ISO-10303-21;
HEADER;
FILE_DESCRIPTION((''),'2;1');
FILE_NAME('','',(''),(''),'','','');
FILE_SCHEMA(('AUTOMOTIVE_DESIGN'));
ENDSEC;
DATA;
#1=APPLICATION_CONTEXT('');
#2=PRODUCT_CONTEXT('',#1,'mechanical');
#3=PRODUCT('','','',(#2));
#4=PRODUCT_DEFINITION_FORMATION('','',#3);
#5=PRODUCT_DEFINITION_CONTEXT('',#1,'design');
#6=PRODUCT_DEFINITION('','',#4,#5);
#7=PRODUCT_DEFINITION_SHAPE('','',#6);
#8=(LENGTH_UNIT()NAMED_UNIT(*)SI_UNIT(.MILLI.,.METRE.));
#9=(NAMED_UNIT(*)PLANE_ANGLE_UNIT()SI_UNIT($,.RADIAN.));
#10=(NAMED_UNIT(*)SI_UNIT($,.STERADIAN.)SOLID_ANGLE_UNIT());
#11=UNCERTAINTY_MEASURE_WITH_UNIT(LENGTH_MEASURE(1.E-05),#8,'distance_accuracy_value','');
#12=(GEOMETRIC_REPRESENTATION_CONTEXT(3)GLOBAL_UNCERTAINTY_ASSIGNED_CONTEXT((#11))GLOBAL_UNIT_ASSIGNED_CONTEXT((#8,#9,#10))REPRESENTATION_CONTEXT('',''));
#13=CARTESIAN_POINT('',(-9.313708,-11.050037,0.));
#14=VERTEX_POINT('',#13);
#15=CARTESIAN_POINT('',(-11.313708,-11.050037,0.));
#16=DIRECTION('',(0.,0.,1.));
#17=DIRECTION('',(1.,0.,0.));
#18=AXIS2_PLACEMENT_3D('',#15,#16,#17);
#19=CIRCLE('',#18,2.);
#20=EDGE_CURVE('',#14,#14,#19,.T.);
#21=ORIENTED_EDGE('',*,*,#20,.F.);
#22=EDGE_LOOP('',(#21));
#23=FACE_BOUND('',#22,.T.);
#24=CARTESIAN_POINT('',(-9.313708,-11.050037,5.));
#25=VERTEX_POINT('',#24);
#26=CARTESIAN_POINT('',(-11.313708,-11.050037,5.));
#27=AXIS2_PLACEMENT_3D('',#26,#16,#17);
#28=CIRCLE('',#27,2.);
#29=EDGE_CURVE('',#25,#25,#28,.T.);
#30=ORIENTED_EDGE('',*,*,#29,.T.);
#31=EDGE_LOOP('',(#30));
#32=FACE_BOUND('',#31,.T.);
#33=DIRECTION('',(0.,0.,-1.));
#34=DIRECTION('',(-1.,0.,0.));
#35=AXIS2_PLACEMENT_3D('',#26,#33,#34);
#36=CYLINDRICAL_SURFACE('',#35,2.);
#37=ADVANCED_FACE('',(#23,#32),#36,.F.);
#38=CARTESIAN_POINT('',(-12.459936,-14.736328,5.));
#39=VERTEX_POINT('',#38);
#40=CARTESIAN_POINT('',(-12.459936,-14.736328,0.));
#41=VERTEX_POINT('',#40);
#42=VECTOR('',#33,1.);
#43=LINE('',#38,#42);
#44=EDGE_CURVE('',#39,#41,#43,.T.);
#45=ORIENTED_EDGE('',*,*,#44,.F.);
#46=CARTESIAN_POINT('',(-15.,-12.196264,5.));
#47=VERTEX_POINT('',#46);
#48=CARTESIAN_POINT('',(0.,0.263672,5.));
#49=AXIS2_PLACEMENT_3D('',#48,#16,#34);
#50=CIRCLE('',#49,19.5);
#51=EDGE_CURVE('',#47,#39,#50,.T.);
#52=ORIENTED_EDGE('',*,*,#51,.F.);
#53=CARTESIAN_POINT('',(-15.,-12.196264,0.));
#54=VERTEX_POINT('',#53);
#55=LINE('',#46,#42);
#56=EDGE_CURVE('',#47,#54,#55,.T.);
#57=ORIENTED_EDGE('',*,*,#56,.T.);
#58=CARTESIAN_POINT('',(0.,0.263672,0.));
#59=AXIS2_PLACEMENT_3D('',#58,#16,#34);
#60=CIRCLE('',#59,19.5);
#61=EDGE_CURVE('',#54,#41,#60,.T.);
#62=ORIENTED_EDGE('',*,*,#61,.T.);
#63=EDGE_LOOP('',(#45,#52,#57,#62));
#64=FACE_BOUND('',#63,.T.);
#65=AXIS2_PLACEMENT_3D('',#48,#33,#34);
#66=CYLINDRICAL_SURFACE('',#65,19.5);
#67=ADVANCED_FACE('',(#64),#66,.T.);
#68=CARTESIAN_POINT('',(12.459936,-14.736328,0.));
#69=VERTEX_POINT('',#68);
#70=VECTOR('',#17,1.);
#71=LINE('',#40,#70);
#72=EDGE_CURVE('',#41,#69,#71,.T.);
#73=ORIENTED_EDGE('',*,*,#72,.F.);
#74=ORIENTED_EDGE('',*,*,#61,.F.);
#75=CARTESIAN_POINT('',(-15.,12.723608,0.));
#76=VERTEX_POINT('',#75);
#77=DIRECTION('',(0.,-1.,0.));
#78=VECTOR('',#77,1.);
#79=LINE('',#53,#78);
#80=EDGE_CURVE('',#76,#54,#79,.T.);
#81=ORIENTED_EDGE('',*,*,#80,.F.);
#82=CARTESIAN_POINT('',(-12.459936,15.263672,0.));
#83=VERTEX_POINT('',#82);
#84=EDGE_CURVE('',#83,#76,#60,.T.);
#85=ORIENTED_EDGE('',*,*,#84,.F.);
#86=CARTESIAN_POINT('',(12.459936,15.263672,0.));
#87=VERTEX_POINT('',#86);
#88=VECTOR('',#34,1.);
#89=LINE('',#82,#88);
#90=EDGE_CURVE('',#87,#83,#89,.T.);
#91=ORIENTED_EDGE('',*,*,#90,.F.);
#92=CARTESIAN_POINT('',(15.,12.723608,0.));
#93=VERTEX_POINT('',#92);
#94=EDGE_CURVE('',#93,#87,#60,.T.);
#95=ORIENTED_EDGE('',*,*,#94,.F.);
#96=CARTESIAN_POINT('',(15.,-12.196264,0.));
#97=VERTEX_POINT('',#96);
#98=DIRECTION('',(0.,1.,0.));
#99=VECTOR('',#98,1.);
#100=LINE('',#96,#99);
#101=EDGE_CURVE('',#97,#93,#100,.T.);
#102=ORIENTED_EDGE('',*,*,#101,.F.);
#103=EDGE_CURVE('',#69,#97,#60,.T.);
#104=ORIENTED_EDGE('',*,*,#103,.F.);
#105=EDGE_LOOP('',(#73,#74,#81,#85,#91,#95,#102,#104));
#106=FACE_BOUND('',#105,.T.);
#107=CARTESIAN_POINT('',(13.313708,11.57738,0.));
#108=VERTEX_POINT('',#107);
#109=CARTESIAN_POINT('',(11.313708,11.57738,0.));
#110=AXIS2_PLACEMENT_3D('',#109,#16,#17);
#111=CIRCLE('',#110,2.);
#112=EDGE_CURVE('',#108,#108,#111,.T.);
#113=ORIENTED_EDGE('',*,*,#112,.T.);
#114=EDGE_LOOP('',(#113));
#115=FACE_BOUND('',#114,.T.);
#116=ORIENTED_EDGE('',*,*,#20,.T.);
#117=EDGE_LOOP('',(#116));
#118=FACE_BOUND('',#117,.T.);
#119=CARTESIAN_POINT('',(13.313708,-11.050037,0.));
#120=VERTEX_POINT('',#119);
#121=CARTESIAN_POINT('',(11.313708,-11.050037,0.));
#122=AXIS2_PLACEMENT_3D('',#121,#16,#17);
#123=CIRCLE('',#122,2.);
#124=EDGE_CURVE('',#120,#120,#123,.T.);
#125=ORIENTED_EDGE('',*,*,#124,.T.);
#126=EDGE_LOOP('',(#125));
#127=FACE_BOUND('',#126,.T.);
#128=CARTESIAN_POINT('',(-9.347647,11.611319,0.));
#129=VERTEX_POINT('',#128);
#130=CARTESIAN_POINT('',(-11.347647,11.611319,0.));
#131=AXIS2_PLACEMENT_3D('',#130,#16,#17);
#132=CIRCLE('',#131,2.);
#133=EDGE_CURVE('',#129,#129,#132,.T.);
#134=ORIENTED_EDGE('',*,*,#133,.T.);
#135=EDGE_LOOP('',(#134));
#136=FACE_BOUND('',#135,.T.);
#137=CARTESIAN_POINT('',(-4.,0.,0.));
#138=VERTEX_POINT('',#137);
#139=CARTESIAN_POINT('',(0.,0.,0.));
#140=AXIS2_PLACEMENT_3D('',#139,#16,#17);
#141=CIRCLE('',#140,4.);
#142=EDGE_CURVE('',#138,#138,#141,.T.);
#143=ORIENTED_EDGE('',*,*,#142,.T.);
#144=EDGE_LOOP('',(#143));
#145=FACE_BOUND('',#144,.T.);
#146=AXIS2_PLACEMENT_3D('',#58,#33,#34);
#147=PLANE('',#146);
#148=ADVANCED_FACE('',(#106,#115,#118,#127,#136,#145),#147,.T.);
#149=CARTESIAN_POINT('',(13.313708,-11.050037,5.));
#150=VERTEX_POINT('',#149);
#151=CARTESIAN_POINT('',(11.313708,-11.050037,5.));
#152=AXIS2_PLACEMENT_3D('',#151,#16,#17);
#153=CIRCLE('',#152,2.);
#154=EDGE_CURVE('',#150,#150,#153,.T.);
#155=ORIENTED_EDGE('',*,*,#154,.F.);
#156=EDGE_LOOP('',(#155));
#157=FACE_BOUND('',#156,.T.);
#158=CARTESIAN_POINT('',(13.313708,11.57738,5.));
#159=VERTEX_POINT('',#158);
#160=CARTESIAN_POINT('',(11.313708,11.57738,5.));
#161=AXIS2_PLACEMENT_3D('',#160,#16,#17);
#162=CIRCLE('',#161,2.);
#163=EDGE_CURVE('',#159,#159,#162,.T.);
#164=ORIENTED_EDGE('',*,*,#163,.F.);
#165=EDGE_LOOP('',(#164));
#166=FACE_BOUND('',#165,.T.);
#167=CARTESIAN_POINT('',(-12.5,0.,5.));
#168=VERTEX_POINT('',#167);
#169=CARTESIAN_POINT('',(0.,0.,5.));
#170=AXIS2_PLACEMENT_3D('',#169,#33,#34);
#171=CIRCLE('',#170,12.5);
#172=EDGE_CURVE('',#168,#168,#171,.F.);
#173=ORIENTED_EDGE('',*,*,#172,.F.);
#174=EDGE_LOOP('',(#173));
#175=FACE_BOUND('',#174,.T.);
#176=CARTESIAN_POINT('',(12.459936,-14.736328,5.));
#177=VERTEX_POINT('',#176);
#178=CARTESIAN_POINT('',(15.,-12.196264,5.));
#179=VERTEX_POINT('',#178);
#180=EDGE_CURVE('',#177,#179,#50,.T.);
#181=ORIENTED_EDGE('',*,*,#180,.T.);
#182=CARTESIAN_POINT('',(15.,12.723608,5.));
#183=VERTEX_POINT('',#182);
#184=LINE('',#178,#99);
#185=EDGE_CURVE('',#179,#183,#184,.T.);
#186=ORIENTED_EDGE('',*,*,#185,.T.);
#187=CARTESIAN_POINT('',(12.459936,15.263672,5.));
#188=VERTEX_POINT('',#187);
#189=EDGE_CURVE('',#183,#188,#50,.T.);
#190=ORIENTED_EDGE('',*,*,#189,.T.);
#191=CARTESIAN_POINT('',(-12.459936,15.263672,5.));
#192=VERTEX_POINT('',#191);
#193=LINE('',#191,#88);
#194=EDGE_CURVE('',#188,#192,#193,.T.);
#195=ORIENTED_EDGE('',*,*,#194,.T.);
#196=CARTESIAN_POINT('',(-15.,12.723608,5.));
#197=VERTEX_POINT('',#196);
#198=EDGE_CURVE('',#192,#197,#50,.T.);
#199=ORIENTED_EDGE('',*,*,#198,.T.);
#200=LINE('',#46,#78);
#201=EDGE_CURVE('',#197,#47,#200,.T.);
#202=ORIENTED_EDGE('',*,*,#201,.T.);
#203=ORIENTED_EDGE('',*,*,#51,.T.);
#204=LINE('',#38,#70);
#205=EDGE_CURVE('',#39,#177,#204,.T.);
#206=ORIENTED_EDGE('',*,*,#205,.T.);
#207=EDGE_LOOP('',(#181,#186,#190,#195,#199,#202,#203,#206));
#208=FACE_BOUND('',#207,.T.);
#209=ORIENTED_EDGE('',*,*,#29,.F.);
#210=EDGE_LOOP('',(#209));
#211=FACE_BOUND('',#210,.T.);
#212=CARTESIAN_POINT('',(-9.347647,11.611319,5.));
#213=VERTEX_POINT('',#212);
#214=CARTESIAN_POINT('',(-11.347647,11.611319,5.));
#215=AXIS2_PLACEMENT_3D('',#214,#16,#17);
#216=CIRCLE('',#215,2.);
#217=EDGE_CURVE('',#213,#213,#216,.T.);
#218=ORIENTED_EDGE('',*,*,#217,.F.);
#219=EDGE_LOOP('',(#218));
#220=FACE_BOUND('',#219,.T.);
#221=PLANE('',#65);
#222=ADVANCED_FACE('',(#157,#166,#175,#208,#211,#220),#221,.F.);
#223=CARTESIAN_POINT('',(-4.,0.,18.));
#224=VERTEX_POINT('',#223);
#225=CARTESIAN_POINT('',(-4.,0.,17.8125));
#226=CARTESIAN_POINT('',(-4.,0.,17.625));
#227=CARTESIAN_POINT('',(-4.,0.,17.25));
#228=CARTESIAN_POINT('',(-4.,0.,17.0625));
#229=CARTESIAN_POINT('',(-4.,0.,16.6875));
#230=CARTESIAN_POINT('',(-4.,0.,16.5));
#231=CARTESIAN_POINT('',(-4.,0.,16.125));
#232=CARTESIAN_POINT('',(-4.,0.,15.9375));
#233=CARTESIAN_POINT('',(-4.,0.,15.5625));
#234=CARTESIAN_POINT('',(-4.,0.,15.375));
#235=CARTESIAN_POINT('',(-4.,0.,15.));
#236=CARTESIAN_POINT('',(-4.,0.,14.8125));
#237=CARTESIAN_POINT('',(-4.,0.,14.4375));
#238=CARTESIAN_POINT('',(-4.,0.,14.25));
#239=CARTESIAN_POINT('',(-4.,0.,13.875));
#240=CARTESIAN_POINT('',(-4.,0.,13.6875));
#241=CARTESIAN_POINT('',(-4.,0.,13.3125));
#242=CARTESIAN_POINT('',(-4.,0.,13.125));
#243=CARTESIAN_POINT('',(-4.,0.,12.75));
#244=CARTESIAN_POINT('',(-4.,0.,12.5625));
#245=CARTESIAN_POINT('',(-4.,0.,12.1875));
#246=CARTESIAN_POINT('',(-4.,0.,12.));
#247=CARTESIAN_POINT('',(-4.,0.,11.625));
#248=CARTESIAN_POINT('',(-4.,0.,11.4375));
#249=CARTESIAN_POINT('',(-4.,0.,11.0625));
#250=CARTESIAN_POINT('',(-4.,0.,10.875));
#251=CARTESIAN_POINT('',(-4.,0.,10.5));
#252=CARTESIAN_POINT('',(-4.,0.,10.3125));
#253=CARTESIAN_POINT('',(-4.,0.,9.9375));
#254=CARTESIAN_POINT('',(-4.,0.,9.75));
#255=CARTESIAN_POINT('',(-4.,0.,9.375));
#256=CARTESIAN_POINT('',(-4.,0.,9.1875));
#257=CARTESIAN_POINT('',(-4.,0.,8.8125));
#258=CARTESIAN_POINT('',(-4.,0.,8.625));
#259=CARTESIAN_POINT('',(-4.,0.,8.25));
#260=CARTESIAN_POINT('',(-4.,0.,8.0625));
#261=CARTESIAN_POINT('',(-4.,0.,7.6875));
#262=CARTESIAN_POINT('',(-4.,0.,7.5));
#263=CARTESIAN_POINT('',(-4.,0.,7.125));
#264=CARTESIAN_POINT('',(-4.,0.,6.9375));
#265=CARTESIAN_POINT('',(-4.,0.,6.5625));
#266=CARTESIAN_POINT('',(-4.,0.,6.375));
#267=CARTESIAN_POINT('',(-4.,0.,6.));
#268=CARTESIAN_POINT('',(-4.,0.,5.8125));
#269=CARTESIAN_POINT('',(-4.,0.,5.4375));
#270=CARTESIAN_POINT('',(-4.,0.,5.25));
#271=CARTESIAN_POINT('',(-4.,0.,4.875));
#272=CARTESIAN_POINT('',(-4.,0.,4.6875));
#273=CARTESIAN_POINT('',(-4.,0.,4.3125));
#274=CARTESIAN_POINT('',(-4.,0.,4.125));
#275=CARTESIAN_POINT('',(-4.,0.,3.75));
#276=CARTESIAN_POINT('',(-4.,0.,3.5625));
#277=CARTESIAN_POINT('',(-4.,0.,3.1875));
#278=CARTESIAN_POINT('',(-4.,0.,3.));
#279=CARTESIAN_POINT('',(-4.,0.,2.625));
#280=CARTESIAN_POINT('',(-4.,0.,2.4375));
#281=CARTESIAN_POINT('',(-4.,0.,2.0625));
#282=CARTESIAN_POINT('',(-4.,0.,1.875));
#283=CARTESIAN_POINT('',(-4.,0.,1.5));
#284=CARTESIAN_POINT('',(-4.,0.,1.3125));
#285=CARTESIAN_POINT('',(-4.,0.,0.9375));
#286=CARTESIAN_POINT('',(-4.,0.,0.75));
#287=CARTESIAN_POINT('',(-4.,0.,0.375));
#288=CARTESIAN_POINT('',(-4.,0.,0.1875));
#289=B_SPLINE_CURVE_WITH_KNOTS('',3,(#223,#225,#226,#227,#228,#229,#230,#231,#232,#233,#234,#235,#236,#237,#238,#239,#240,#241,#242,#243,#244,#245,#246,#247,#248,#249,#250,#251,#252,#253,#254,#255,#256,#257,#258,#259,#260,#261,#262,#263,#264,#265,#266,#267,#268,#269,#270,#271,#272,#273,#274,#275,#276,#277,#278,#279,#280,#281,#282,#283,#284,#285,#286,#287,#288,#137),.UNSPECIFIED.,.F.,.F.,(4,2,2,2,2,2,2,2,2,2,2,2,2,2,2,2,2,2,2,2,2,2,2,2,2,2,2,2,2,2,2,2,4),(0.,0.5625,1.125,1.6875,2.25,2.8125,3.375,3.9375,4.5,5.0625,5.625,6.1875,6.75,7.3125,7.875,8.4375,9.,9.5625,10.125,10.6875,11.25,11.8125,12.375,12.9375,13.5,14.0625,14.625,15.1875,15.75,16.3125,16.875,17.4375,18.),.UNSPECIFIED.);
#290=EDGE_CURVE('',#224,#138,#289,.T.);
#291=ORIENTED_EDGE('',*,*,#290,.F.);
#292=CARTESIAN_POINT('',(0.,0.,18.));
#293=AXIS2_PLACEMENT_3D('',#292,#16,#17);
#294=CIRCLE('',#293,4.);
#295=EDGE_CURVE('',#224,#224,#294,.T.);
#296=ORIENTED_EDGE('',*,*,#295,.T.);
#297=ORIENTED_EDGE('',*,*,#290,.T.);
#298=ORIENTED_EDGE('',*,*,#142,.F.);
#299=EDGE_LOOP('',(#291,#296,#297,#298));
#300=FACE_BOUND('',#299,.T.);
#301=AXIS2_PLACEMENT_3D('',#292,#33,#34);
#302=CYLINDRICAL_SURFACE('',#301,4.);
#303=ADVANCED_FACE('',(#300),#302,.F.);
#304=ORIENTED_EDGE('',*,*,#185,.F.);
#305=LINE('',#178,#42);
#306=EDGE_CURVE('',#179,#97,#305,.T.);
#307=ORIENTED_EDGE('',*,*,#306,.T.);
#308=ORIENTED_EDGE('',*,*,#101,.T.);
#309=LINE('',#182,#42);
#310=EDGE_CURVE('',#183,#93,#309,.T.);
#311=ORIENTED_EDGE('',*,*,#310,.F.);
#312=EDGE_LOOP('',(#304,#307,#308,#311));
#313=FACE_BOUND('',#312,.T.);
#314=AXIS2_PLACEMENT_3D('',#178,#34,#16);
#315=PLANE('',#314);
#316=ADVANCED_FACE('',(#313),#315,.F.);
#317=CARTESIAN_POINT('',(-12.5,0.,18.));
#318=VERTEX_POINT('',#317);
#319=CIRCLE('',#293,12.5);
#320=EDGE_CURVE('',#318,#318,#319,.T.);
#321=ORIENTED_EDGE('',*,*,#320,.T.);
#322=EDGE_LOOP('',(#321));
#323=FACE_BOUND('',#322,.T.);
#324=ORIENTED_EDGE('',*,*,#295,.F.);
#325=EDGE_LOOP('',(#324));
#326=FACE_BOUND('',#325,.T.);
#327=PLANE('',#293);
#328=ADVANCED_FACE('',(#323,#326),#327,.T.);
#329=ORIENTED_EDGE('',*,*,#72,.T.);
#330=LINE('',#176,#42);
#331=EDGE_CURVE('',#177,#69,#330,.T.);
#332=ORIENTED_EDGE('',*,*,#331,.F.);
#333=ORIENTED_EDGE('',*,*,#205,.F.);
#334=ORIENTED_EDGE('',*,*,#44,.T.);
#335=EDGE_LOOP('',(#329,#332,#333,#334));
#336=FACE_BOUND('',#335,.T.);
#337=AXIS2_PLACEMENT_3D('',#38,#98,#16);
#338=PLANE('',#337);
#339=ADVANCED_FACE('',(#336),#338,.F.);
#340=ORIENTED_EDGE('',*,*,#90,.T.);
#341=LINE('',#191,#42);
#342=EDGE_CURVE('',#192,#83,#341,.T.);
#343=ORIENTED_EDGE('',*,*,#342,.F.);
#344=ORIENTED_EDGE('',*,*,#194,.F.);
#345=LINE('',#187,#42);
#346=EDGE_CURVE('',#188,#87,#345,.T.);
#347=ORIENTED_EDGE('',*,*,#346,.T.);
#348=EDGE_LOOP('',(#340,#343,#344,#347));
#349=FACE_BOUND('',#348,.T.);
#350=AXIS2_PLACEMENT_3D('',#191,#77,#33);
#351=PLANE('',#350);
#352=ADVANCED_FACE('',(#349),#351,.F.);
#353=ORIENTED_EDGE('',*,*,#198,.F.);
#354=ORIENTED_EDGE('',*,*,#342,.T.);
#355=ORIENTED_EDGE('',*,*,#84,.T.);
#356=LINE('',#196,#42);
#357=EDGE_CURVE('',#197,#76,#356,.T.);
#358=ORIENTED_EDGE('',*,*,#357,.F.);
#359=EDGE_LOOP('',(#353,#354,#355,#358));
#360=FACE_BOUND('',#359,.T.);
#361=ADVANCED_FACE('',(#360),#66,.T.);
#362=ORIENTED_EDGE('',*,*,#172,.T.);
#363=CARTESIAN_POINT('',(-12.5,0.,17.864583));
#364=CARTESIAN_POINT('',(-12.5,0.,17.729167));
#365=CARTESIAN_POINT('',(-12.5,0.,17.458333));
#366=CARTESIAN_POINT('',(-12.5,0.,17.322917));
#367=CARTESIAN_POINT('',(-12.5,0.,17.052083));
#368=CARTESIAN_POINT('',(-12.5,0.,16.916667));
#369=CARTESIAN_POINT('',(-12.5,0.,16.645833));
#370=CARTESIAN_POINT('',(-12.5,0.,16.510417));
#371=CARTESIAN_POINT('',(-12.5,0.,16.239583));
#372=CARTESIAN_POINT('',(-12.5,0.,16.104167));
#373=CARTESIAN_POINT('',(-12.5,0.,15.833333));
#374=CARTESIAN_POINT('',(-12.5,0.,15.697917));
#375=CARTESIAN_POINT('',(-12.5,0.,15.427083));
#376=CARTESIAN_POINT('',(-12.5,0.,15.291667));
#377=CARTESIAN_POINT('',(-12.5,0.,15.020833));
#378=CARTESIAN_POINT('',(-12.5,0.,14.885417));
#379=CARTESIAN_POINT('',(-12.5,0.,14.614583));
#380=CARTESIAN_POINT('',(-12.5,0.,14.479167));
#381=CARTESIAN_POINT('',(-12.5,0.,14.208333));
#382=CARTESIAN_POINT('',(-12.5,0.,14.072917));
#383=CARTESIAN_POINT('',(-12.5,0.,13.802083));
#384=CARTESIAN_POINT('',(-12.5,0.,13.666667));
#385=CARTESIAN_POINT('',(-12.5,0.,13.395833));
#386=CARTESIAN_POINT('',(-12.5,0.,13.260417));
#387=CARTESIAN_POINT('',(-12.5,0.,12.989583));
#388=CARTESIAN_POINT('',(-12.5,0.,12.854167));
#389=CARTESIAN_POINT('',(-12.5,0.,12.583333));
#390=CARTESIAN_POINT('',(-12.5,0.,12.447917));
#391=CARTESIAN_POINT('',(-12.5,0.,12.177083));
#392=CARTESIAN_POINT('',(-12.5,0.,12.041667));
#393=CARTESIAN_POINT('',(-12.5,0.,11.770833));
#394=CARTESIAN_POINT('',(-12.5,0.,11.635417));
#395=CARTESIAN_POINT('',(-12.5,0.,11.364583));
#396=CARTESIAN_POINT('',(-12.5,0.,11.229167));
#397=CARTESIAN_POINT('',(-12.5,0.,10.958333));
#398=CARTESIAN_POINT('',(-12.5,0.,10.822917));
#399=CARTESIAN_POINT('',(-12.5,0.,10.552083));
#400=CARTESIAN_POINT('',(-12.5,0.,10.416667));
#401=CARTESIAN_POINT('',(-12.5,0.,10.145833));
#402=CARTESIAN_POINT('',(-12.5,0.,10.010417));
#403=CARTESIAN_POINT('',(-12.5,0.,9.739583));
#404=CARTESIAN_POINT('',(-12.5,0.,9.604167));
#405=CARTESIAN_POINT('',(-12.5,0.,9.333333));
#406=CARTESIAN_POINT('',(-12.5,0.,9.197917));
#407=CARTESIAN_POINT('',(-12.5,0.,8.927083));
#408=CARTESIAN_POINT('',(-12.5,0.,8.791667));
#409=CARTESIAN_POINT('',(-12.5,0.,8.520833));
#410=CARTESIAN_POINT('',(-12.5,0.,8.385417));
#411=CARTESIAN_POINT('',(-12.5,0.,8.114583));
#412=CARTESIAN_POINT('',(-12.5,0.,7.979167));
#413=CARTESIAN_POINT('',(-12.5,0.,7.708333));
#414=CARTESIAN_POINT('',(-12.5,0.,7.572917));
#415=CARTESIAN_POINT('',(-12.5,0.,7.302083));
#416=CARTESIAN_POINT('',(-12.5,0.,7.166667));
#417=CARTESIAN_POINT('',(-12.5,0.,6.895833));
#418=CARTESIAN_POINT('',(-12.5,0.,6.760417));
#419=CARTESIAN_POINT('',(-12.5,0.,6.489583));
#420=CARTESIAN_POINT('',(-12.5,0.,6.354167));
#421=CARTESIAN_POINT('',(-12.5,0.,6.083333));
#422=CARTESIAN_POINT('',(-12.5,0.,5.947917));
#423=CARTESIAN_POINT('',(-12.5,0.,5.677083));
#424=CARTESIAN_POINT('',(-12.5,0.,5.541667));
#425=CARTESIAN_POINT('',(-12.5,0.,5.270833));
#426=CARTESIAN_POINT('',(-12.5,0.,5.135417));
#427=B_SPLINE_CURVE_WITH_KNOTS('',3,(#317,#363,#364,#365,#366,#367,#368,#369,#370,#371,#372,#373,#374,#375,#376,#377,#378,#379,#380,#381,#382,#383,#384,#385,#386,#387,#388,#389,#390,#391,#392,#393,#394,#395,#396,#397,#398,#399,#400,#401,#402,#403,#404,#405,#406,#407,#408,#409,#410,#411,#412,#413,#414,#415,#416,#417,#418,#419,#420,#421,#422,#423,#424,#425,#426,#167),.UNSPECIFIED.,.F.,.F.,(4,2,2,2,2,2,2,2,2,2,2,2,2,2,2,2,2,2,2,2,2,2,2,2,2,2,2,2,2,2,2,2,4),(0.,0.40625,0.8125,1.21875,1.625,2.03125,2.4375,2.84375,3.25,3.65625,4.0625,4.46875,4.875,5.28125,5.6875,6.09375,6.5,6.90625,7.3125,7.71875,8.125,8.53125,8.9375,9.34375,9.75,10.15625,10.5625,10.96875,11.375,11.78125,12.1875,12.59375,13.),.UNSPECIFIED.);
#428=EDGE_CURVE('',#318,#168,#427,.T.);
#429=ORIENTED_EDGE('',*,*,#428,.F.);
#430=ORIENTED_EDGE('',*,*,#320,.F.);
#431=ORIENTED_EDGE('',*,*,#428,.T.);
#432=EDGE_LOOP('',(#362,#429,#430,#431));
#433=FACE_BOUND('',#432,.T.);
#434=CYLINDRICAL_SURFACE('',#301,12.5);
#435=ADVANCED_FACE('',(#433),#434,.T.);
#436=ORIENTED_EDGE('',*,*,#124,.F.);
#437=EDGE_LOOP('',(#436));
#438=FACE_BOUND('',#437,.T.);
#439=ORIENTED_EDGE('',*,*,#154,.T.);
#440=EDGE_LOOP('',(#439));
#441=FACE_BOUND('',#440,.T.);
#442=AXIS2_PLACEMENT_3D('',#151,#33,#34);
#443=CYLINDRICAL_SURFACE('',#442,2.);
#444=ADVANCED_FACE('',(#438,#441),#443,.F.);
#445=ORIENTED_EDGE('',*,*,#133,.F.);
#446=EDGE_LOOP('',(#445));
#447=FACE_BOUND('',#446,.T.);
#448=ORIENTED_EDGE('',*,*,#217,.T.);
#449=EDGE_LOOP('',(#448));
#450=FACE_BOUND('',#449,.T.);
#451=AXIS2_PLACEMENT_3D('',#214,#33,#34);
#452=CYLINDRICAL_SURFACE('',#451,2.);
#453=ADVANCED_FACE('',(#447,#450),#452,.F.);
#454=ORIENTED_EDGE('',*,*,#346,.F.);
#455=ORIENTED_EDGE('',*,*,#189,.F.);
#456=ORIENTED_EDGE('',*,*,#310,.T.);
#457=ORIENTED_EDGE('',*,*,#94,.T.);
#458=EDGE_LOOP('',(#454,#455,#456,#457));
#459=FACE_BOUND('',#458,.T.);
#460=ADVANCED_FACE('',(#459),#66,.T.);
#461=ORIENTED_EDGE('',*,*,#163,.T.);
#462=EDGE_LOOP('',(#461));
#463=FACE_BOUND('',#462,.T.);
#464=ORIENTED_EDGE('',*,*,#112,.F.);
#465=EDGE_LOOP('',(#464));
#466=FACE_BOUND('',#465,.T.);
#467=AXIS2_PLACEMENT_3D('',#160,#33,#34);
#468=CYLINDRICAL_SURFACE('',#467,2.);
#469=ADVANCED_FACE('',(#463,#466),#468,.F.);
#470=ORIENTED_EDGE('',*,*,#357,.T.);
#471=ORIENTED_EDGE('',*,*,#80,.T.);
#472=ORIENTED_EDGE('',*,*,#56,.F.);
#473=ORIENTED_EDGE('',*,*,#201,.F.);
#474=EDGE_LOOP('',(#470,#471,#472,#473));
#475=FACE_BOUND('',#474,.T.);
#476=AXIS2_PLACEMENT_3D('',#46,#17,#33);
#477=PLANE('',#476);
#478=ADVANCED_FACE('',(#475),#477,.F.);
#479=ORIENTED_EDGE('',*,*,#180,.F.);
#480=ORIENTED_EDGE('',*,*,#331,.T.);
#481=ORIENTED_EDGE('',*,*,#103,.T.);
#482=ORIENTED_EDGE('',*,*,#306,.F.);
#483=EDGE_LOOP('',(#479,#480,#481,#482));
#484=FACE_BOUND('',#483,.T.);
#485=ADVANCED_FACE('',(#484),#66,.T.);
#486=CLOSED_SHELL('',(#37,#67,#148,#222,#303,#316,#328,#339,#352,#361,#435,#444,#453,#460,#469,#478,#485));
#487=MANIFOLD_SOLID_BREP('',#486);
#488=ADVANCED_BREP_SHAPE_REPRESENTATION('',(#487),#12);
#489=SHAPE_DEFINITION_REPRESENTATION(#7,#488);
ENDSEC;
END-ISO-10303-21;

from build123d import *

# Parameters (mm, degrees)
SKETCH_1_R          = 2
EXTRUDE_1_DEPTH     = 5
SKETCH_3_R          = 12.5
SKETCH_3_R_2        = 4
EXTRUDE_2_DEPTH     = 13
SKETCH_5_R          = 4
CUT_EXTRUDE_1_DEPTH = 26.039562279


with BuildPart() as part:
    # 草图1 → 凸台-拉伸1 (new body)
    with BuildSketch(Plane.XY):
        with BuildLine():
            Line((-12.459935794, -14.736328125), (12.459935794, -14.736328125))
            ThreePointArc((12.459935794, -14.736328125), (13.788582233, -13.524910358), (15, -12.196263919))
            Line((15, -12.196263919), (15, 12.723607669))
            ThreePointArc((15, 12.723607669), (13.788582233, 14.052254108), (12.459935794, 15.263671875))
            Line((12.459935794, 15.263671875), (-12.459935794, 15.263671875))
            ThreePointArc((-12.459935794, 15.263671875), (-13.788582233, 14.052254108), (-15, 12.723607669))
            Line((-15, 12.723607669), (-15, -12.196263919))
            ThreePointArc((-15, -12.196263919), (-13.788582233, -13.524910358), (-12.459935794, -14.736328125))
        make_face()
        with Locations((-11.347647071, 11.611318946)):
            Circle(SKETCH_1_R, mode=Mode.SUBTRACT)
        with Locations((11.313708499, 11.577380374)):
            Circle(SKETCH_1_R, mode=Mode.SUBTRACT)
        with Locations((11.313708499, -11.050036624)):
            Circle(SKETCH_1_R, mode=Mode.SUBTRACT)
        with Locations((-11.313708499, -11.050036624)):
            Circle(SKETCH_1_R, mode=Mode.SUBTRACT)
    extrude(amount=EXTRUDE_1_DEPTH)

    # 草图3 → 凸台-拉伸2 (add)
    with BuildSketch(Plane.XY.offset(5)):
        with Locations(Location((0, 0, 0), (0, 0, 180))):
            Circle(SKETCH_3_R)
        with Locations(Location((0, 0, 0), (0, 0, 180))):
            Circle(SKETCH_3_R_2, mode=Mode.SUBTRACT)
    extrude(amount=EXTRUDE_2_DEPTH)

    # 草图5 → 切除-拉伸1 (cut, through all)
    with BuildSketch(Plane.XY.offset(5)):
        with Locations(Location((0, 0, 0), (0, 0, 180))):
            Circle(SKETCH_5_R)
    extrude(amount=-CUT_EXTRUDE_1_DEPTH, mode=Mode.SUBTRACT)


solid = part.part
